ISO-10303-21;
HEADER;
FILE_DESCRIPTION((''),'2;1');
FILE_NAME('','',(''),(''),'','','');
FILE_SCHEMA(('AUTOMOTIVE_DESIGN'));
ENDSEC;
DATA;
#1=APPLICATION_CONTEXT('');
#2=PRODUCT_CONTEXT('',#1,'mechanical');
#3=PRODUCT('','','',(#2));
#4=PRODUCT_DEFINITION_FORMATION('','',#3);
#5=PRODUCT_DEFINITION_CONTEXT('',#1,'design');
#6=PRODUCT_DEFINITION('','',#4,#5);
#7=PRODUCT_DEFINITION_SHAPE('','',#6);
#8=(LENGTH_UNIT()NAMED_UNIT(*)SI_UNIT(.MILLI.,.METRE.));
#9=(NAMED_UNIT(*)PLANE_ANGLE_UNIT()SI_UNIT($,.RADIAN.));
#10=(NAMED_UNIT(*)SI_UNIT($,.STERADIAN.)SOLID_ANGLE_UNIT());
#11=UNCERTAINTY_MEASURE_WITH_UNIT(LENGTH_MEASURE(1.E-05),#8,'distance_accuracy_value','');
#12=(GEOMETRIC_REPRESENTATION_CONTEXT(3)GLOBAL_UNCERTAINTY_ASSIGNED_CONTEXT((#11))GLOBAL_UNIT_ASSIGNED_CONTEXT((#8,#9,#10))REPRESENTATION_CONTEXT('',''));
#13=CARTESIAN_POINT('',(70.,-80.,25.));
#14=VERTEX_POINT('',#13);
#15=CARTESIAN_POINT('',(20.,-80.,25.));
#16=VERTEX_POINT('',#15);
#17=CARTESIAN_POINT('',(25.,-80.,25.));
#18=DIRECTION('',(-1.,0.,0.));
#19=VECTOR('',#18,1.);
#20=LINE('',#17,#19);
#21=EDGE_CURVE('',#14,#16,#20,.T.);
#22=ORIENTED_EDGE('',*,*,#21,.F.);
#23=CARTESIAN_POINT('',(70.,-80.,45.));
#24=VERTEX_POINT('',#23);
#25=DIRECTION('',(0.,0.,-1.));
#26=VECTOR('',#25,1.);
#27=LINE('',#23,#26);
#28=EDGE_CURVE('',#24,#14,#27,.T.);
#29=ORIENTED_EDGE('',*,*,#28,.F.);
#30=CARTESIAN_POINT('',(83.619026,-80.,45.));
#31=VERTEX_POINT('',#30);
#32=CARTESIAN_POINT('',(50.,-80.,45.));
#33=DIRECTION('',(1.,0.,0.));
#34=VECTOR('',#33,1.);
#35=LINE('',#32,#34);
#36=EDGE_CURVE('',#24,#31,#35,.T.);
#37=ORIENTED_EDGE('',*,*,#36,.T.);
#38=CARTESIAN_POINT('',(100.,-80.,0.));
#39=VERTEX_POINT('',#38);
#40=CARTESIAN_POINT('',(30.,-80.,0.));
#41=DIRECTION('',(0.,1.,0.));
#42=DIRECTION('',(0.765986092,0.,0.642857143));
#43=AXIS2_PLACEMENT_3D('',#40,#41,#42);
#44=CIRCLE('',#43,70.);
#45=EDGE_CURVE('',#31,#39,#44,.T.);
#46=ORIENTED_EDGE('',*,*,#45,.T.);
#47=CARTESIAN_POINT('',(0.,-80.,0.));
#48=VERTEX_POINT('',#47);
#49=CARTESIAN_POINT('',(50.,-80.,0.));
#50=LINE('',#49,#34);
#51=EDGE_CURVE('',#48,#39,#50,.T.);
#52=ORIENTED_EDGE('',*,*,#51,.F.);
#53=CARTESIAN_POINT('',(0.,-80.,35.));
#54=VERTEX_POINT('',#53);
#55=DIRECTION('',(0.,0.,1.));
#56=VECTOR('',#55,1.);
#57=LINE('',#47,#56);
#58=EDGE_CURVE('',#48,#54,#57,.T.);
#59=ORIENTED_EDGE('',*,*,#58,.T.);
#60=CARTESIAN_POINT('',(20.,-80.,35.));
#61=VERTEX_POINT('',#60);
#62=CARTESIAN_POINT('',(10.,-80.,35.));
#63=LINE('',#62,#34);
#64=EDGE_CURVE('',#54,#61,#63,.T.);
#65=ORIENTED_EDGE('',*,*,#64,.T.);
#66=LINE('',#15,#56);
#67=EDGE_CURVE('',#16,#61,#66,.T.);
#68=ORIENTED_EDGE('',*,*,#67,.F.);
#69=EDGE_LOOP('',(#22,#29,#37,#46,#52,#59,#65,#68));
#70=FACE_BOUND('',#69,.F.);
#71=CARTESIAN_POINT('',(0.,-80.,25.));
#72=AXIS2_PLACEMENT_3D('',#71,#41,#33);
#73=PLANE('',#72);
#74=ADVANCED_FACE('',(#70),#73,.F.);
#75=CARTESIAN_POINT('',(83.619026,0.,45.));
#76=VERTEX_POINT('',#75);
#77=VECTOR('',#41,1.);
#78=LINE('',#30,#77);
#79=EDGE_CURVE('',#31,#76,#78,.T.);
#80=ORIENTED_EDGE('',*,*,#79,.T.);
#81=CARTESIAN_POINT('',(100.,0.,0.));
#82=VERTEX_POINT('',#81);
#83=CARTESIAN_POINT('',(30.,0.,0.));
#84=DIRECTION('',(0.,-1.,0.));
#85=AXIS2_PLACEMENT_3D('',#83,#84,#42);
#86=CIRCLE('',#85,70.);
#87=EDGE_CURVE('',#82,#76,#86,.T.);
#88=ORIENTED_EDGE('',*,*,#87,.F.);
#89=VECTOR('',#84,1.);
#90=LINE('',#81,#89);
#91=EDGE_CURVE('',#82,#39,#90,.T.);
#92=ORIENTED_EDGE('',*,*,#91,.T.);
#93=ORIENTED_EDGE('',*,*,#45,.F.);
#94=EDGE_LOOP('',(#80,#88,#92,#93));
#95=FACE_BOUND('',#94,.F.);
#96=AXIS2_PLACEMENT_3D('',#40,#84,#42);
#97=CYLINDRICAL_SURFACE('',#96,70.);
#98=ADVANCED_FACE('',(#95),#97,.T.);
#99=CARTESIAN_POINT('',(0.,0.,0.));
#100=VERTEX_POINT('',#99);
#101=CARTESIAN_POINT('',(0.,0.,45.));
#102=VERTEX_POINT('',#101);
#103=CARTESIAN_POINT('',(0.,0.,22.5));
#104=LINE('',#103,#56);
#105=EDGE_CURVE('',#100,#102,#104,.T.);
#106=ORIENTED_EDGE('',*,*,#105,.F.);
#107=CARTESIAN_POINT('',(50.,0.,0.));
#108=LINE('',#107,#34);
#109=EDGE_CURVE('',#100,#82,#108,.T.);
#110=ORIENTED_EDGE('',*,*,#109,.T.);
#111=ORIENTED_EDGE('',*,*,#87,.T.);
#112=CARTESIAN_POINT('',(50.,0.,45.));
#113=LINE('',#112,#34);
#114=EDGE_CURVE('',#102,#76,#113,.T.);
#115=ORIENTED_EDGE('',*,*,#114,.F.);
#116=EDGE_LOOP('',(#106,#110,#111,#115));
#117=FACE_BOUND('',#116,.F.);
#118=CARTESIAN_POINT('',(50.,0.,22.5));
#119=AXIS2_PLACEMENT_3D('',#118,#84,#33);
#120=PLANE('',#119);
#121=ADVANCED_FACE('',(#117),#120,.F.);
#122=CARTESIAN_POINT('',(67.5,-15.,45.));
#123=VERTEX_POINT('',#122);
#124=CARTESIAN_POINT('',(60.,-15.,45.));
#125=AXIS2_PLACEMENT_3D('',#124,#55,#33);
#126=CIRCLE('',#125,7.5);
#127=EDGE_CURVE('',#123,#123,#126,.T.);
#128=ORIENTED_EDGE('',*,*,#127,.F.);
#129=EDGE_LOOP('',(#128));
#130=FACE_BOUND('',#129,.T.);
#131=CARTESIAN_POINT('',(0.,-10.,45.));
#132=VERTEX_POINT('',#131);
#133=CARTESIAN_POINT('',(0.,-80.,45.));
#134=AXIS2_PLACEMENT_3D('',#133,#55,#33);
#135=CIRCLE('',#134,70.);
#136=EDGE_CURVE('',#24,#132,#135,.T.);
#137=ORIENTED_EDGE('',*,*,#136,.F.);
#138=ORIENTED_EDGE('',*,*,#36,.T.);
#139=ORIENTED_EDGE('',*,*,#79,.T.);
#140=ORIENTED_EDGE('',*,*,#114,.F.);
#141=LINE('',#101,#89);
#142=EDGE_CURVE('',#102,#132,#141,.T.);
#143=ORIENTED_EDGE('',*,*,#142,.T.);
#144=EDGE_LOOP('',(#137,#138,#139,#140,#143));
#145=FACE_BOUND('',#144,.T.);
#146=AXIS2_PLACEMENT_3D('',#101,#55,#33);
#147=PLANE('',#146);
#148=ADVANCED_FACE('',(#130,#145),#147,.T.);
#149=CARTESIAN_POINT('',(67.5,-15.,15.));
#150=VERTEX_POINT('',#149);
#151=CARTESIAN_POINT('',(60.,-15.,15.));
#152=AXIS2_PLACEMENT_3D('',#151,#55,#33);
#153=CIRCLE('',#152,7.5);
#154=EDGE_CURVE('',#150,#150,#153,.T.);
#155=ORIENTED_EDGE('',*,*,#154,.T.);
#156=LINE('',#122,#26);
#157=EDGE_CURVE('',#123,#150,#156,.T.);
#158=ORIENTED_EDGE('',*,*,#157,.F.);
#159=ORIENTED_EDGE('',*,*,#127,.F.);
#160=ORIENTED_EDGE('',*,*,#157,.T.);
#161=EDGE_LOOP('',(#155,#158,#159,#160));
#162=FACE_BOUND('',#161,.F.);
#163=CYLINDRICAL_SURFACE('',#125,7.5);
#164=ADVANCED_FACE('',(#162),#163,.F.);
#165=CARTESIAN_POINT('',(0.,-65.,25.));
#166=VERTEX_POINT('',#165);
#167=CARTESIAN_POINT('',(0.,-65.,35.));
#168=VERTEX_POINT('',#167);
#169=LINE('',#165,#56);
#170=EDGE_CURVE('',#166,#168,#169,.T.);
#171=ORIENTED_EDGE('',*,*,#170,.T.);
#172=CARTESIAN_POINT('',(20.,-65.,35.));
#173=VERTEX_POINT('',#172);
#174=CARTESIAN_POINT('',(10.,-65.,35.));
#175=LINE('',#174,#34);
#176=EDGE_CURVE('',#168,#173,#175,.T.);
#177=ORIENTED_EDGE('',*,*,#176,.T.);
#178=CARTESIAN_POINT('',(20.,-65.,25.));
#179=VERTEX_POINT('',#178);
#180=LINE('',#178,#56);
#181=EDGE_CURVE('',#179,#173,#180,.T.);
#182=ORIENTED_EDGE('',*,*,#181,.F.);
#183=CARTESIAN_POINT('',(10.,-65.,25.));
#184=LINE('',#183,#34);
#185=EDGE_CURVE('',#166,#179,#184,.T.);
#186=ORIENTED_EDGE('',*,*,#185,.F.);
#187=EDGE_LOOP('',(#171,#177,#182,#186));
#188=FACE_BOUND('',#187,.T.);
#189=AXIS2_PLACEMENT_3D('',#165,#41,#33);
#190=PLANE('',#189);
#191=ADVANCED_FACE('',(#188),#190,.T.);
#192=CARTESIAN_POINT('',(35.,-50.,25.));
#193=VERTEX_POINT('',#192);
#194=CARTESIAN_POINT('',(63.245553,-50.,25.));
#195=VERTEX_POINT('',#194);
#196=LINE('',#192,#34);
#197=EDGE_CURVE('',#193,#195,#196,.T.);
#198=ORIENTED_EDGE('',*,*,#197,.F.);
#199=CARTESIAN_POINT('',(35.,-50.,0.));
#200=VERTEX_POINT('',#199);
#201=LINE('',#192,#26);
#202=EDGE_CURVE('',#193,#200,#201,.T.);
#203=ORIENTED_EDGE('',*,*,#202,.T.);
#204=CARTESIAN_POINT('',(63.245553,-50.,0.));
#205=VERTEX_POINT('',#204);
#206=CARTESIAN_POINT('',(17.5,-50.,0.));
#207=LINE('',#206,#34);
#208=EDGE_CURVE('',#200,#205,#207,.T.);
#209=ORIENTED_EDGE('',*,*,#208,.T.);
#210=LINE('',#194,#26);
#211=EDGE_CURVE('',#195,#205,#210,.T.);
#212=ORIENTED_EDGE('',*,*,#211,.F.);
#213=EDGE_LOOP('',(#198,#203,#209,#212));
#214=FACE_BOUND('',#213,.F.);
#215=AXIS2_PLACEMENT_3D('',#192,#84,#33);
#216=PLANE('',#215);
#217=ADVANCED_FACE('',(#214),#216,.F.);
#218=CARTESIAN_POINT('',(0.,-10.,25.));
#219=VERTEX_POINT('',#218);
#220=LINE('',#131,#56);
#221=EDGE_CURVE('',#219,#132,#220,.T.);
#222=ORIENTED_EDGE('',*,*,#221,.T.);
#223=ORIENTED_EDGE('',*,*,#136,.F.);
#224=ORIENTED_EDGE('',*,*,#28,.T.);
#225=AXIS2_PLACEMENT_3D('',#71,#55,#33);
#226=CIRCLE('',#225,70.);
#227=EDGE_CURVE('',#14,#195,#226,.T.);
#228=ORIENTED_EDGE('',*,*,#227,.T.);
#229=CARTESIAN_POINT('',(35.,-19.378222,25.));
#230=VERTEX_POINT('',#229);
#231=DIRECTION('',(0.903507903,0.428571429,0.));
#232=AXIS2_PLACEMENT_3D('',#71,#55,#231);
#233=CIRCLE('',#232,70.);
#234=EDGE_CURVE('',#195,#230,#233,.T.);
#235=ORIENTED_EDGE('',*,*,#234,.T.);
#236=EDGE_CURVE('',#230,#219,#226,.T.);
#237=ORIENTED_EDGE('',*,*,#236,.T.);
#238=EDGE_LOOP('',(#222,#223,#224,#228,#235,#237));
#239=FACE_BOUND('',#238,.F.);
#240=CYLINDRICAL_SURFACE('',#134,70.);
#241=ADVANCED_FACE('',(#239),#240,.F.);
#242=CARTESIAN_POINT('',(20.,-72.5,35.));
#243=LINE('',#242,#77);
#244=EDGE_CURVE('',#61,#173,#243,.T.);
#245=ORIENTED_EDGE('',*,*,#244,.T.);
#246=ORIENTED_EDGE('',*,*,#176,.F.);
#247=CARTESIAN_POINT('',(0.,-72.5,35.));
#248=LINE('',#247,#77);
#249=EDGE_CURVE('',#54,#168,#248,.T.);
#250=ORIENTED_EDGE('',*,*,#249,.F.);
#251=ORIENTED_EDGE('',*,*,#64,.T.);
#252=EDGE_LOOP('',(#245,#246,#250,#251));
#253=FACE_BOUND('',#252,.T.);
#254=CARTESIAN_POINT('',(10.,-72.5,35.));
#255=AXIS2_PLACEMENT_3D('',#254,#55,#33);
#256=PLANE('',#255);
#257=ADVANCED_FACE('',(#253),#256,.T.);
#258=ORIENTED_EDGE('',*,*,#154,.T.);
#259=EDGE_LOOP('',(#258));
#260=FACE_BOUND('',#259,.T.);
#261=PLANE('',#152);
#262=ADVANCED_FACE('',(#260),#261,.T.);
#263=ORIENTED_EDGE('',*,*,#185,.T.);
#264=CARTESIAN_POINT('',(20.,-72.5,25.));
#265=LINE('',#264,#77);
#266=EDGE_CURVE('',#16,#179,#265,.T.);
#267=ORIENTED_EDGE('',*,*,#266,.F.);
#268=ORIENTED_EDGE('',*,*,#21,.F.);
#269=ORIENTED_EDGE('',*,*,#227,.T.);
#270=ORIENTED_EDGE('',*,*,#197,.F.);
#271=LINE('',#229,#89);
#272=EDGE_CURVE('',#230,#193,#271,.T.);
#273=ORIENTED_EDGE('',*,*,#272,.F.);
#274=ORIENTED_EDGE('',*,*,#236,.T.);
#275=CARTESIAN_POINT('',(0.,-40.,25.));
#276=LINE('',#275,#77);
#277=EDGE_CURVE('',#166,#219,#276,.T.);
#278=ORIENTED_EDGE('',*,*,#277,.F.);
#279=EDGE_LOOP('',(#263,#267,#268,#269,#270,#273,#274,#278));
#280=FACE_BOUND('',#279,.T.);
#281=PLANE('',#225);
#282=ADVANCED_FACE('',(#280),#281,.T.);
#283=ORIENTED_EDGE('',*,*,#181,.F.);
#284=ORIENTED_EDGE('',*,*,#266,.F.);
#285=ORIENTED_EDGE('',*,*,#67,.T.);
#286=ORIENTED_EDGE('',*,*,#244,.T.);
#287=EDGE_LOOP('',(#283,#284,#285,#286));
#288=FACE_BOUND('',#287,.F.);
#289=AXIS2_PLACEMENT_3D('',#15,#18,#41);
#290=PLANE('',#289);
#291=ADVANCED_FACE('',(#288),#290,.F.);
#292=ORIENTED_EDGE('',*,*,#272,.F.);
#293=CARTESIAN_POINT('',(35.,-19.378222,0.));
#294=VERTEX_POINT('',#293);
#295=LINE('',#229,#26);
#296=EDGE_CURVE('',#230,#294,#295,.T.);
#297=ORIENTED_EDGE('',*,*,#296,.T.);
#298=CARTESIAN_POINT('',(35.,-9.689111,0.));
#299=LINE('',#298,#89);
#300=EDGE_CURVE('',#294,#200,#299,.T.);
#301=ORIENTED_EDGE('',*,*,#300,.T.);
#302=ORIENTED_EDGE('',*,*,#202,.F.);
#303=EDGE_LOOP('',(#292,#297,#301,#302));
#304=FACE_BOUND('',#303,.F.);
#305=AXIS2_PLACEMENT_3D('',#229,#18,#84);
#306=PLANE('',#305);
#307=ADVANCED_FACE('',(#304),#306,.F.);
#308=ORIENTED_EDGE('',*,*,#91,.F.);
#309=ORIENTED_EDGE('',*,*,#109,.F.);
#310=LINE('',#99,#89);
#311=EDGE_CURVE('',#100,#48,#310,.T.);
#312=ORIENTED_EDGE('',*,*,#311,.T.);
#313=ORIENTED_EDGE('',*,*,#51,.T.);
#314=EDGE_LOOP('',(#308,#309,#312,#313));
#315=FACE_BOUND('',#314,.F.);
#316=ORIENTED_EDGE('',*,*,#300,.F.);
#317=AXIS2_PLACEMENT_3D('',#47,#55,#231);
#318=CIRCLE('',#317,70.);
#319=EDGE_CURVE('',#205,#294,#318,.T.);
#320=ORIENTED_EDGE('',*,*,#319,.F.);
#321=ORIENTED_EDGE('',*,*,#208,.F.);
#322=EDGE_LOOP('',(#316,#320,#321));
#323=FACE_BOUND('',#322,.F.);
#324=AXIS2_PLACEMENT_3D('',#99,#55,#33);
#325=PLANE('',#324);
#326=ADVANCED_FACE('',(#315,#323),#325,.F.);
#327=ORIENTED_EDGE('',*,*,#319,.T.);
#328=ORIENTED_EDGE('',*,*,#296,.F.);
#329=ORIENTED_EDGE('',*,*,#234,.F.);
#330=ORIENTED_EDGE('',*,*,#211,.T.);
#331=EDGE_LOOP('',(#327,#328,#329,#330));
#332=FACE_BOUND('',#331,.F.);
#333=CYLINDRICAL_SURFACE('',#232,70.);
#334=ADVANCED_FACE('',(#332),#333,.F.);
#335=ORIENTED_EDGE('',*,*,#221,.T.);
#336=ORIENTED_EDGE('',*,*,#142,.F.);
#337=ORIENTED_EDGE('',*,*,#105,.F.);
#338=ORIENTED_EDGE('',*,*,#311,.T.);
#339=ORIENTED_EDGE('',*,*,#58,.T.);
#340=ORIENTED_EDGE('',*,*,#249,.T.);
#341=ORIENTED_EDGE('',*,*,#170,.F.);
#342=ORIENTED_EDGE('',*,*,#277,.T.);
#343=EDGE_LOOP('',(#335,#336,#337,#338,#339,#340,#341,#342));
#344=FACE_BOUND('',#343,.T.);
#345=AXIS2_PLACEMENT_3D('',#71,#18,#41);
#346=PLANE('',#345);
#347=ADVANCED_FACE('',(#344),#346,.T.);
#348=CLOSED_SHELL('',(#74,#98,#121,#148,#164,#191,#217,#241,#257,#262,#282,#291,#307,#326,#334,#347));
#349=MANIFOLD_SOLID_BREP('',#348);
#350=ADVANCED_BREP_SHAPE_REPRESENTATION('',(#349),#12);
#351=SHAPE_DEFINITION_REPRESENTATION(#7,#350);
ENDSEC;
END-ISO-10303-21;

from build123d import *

# Parameters (mm, degrees)
F0_W      = 100
F0_H      = 45
F1_DEPTH  = 80
F2_R      = 7.5
F3_DEPTH  = 30
F4_R      = 70
F5_DEPTH  = 20
F6_W      = 20
F6_H      = 15
F7_DEPTH  = 10
F10_DEPTH = 25.001
F12_DEPTH = 80.001


with BuildPart() as f1:
    # F0 (on Front) → F1 (new body)
    with BuildSketch(Plane.XZ):
        with Locations((50, 22.5)):
            Rectangle(F0_W, F0_H)
    extrude(amount=F1_DEPTH)

    # F2 (on face) → F3 (cut)
    with BuildSketch(Plane.XY.offset(45)):
        with Locations((60, -15)):
            Circle(F2_R)
    extrude(amount=-F3_DEPTH, mode=Mode.SUBTRACT)

    # F4 (on face) → F5 (cut)
    with BuildSketch(Plane.XY.offset(45)):
        with Locations((0, -80)):
            Circle(F4_R)
    extrude(amount=-F5_DEPTH, mode=Mode.SUBTRACT)

    # F6 (on face) → F7 (join)
    with BuildSketch(Plane.XY.offset(25)):
        with Locations((10, -72.5)):
            Rectangle(F6_W, F6_H)
    extrude(amount=F7_DEPTH)

    # F9 (on face) → F10 (cut, through all)
    with BuildSketch(Plane.XY.offset(25)):
        with BuildLine():
            ThreePointArc((63.2455532034, -50), (51.4535762322, -32.5391793906), (35, -19.3782217351))
            Line((35, -19.3782217351), (35, -50))
            Line((35, -50), (63.2455532034, -50))
        make_face()
    extrude(amount=-F10_DEPTH, mode=Mode.SUBTRACT)

    # F11 (on face) → F12 (cut, through all)
    with BuildSketch(Plane.XZ.offset(80)):
        with BuildLine():
            ThreePointArc((83.6190264738, 45), (95.7773967757, 23.944395449), (100, 0))
            Line((100, 0), (100, 45))
            Line((100, 45), (83.6190264738, 45))
        make_face()
    extrude(amount=-F12_DEPTH, mode=Mode.SUBTRACT)


solid = f1.part
